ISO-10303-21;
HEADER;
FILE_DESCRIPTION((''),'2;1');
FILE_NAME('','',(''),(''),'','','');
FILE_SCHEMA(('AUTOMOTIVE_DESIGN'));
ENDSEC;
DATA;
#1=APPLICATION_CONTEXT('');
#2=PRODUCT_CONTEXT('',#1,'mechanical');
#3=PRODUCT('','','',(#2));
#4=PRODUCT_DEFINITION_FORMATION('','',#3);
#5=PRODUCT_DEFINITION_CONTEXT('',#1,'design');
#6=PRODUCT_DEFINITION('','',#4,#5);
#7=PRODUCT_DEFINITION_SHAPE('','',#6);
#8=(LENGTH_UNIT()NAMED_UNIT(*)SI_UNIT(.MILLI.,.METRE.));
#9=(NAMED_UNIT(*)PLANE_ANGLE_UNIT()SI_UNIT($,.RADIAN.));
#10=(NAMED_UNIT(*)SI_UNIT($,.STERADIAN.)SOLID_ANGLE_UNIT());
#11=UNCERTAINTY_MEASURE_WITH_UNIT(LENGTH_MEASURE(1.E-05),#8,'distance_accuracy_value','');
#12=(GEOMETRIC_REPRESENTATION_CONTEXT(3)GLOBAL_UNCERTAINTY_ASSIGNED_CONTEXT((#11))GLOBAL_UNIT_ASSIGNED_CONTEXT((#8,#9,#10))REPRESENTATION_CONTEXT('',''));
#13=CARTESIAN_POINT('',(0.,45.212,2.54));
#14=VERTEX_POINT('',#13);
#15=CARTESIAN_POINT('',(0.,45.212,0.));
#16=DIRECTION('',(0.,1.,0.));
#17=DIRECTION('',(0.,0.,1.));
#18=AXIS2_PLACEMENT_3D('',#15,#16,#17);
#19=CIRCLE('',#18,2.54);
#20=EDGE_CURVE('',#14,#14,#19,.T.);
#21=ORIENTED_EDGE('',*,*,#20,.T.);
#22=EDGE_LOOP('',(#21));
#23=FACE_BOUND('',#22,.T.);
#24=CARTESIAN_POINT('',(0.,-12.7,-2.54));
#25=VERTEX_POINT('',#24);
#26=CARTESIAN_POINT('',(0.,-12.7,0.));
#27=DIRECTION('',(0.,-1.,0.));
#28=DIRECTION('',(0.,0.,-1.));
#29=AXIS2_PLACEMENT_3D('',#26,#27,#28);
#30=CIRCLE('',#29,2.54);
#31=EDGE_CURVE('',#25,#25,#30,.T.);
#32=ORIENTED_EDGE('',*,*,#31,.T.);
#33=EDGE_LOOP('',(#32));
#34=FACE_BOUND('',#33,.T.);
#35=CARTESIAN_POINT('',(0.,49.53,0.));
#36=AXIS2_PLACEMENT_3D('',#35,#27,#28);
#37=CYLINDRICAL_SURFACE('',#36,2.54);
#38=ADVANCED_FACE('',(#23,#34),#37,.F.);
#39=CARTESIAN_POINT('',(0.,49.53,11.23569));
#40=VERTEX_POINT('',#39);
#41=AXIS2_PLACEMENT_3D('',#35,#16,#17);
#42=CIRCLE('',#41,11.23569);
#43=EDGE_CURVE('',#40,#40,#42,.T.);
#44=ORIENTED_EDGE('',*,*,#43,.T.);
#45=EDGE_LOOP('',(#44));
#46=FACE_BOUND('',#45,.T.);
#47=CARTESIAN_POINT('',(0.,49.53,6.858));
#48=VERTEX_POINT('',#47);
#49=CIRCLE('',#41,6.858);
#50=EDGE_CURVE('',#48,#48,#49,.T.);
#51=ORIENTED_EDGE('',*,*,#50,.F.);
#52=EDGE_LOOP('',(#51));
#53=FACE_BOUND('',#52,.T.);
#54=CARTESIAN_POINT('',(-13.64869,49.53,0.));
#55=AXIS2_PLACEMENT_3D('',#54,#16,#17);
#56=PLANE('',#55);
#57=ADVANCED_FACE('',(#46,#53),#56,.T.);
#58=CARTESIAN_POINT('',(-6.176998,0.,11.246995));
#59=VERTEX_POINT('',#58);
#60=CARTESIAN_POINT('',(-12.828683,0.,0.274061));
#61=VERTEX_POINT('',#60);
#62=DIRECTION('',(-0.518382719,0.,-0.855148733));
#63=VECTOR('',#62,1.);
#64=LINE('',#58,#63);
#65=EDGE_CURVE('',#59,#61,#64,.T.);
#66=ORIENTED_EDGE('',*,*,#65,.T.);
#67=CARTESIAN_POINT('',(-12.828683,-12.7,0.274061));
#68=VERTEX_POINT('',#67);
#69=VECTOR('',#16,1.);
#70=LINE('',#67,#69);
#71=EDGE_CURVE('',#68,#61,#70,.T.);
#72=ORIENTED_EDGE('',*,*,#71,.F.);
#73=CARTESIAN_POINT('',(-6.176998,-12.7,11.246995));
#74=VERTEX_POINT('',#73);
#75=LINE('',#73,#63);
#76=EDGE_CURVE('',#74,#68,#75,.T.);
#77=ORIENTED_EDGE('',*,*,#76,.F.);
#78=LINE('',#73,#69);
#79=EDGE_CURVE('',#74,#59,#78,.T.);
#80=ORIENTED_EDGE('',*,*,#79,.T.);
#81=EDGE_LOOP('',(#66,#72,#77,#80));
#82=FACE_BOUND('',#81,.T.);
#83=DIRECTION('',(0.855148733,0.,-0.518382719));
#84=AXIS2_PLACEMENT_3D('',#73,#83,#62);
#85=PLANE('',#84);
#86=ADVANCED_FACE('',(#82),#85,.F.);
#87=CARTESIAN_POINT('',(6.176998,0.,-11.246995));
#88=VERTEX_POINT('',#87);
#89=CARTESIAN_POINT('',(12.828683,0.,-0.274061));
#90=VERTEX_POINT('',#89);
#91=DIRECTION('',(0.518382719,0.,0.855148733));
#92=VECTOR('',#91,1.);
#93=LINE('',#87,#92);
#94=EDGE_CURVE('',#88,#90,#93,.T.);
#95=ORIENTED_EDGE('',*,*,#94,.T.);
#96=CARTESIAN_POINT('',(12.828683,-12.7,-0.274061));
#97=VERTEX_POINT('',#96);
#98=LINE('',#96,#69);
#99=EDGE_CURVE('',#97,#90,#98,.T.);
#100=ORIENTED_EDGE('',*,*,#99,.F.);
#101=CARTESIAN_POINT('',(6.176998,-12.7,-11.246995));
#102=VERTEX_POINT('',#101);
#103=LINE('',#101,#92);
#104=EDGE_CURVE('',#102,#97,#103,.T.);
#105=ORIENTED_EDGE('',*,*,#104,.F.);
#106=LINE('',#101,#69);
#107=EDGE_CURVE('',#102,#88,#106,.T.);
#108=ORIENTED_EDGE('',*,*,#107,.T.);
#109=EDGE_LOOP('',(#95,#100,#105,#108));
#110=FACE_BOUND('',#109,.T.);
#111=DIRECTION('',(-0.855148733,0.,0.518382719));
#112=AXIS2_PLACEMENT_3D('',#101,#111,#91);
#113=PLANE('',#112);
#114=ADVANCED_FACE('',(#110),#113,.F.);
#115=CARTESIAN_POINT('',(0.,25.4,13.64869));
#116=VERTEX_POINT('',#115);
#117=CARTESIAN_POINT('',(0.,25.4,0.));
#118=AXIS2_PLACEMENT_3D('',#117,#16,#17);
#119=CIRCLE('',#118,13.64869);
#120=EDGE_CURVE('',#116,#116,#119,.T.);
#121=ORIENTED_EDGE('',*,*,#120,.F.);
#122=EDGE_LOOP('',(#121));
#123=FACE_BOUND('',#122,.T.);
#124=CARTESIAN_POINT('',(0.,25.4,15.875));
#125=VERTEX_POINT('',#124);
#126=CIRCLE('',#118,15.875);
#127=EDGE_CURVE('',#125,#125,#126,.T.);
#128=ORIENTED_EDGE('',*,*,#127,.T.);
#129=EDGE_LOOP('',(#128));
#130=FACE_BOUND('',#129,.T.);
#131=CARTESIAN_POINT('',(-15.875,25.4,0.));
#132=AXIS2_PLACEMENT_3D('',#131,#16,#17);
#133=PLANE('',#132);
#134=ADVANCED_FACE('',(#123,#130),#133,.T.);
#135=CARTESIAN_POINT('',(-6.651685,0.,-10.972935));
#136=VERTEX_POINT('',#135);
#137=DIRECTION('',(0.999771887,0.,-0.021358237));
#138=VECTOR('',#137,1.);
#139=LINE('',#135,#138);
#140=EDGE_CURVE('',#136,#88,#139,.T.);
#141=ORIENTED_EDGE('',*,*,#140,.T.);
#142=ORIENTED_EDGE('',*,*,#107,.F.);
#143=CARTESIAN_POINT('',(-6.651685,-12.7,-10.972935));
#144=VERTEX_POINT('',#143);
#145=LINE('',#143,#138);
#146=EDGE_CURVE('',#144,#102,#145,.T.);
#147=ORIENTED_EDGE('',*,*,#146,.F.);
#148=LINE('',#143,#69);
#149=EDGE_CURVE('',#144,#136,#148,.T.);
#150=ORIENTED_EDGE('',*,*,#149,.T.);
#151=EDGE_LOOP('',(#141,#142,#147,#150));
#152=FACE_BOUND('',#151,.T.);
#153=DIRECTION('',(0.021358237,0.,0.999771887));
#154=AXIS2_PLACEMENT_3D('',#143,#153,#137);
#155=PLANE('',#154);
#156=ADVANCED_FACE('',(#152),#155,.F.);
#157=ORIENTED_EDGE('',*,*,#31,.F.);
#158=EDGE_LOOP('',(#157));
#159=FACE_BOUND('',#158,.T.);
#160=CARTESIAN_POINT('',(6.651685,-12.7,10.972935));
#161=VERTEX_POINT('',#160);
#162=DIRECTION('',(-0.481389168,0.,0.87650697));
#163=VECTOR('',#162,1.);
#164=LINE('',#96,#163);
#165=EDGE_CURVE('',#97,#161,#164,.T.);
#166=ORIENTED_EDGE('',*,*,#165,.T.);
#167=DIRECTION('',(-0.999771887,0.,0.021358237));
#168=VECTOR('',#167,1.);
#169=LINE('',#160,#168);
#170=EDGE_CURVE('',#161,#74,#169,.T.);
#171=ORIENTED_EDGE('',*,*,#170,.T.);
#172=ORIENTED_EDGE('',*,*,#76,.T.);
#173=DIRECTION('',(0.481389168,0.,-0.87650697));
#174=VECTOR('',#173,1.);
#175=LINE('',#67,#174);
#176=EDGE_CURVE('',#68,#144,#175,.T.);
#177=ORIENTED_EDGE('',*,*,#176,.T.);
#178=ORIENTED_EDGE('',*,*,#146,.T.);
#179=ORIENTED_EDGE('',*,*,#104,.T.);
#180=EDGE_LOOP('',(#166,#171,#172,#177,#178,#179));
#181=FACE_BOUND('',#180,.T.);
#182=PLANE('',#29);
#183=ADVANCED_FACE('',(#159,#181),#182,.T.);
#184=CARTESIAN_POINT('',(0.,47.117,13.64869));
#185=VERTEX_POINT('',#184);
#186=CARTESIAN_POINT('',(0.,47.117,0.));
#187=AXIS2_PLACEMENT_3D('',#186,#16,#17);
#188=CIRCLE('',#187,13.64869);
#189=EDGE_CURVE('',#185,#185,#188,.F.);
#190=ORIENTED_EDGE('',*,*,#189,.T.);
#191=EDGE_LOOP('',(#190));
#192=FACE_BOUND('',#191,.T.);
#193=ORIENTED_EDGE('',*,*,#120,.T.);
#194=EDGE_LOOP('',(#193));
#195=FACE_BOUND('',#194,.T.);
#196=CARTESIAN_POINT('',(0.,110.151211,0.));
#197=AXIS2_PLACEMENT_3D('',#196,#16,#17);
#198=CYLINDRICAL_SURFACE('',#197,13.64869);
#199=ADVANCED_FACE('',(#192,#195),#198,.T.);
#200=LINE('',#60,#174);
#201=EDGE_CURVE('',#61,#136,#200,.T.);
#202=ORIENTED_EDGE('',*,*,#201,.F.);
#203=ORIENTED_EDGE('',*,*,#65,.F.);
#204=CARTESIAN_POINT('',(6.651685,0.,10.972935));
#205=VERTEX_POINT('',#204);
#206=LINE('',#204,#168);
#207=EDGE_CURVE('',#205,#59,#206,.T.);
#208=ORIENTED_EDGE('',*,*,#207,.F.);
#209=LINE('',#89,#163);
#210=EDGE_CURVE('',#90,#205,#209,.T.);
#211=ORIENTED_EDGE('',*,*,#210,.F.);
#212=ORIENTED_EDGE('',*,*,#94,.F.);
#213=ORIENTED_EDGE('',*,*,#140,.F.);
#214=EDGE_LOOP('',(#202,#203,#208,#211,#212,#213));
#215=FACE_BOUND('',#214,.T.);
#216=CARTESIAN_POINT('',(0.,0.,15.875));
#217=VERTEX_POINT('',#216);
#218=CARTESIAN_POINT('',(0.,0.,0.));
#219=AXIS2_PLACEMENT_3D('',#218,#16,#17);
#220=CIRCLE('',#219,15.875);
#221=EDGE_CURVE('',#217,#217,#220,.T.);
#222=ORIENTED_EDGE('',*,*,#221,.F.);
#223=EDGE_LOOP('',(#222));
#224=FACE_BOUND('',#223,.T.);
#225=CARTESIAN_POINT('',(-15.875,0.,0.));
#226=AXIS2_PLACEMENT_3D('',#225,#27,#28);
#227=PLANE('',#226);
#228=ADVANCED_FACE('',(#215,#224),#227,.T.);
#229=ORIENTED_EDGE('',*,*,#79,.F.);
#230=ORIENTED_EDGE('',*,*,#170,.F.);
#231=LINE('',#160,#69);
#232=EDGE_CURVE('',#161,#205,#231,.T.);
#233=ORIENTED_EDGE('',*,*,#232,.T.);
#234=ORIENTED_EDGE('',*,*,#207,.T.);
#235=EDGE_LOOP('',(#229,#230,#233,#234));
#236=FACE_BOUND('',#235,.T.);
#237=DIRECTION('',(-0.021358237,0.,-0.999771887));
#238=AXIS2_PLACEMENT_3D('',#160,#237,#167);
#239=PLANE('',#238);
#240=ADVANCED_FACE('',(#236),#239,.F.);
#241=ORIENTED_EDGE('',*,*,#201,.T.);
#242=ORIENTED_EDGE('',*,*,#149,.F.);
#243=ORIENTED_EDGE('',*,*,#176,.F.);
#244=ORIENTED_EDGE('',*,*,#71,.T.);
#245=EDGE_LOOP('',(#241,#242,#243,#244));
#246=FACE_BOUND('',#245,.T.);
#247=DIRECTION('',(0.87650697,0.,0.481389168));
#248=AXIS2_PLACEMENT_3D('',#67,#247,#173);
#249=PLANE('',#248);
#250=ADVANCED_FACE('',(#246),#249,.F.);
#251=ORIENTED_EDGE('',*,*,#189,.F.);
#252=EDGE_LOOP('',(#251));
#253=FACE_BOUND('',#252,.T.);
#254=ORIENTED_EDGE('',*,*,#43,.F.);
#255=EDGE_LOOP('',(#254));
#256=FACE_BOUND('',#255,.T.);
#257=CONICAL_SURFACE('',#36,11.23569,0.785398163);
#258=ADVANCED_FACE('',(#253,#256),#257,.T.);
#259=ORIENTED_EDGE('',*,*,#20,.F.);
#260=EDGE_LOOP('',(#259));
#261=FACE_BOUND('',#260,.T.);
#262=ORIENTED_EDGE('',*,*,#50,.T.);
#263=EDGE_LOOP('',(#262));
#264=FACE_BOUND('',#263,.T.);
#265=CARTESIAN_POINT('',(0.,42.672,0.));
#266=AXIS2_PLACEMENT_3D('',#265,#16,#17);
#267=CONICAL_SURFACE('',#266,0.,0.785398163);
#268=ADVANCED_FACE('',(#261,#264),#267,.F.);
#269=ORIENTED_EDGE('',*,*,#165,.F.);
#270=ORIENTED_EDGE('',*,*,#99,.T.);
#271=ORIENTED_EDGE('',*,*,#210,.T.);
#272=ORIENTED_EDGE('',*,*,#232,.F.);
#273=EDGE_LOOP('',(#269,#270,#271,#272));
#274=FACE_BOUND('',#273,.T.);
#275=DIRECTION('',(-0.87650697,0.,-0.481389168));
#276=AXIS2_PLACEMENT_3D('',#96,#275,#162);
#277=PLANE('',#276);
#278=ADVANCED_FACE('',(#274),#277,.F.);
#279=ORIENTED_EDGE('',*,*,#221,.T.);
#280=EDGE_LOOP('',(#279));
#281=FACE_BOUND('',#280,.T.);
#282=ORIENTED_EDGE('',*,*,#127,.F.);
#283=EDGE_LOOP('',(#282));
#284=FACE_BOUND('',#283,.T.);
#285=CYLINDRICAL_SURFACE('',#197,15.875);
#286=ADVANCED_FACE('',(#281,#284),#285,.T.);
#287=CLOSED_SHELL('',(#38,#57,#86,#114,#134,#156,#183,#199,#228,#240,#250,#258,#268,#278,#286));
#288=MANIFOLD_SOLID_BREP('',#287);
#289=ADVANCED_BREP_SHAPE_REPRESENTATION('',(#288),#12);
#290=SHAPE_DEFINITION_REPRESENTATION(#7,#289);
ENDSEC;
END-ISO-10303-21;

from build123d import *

# Parameters (mm, degrees)
BOSS_EXTRUDE2_DEPTH = 12.7
CHAMFER2_SIZE       = 2.413
SKETCH13_R          = 2.54
CUT_EXTRUDE1_DEPTH  = 63.23


with BuildPart() as part:
    # Sketch1 → Revolve1 (revolve)
    with BuildSketch(Plane.XY):
        Polygon((-15.875, 25.4), (-13.64869, 25.4), (-13.64869, 49.53), (-6.858, 49.53), (0, 42.672), (0, 0), (-15.875, 0), align=None)
    revolve(axis=Axis((0, 110.151211274, 0), (0, -1, 0)))

    # Sketch12 → Boss-Extrude2 (add)
    with BuildSketch(Plane.XZ):
        Polygon((-12.828682674, 0.274060562), (-6.651684746, -10.972934812), (6.176997928, -11.246995373), (12.828682674, -0.274060562), (6.651684746, 10.972934812), (-6.176997928, 11.246995373), align=None)
    extrude(amount=BOSS_EXTRUDE2_DEPTH)

    # Chamfer2
    chamfer2_edges = [part.edges().sort_by_distance(p)[0] for p in [
        (13.64869, 49.53, 0),
    ]]
    chamfer(chamfer2_edges, length=CHAMFER2_SIZE)

    # Sketch13 → Cut-Extrude1 (cut, through all)
    with BuildSketch(Plane.XZ.offset(12.7)):
        Circle(SKETCH13_R)
    extrude(amount=-CUT_EXTRUDE1_DEPTH, mode=Mode.SUBTRACT)


solid = part.part
